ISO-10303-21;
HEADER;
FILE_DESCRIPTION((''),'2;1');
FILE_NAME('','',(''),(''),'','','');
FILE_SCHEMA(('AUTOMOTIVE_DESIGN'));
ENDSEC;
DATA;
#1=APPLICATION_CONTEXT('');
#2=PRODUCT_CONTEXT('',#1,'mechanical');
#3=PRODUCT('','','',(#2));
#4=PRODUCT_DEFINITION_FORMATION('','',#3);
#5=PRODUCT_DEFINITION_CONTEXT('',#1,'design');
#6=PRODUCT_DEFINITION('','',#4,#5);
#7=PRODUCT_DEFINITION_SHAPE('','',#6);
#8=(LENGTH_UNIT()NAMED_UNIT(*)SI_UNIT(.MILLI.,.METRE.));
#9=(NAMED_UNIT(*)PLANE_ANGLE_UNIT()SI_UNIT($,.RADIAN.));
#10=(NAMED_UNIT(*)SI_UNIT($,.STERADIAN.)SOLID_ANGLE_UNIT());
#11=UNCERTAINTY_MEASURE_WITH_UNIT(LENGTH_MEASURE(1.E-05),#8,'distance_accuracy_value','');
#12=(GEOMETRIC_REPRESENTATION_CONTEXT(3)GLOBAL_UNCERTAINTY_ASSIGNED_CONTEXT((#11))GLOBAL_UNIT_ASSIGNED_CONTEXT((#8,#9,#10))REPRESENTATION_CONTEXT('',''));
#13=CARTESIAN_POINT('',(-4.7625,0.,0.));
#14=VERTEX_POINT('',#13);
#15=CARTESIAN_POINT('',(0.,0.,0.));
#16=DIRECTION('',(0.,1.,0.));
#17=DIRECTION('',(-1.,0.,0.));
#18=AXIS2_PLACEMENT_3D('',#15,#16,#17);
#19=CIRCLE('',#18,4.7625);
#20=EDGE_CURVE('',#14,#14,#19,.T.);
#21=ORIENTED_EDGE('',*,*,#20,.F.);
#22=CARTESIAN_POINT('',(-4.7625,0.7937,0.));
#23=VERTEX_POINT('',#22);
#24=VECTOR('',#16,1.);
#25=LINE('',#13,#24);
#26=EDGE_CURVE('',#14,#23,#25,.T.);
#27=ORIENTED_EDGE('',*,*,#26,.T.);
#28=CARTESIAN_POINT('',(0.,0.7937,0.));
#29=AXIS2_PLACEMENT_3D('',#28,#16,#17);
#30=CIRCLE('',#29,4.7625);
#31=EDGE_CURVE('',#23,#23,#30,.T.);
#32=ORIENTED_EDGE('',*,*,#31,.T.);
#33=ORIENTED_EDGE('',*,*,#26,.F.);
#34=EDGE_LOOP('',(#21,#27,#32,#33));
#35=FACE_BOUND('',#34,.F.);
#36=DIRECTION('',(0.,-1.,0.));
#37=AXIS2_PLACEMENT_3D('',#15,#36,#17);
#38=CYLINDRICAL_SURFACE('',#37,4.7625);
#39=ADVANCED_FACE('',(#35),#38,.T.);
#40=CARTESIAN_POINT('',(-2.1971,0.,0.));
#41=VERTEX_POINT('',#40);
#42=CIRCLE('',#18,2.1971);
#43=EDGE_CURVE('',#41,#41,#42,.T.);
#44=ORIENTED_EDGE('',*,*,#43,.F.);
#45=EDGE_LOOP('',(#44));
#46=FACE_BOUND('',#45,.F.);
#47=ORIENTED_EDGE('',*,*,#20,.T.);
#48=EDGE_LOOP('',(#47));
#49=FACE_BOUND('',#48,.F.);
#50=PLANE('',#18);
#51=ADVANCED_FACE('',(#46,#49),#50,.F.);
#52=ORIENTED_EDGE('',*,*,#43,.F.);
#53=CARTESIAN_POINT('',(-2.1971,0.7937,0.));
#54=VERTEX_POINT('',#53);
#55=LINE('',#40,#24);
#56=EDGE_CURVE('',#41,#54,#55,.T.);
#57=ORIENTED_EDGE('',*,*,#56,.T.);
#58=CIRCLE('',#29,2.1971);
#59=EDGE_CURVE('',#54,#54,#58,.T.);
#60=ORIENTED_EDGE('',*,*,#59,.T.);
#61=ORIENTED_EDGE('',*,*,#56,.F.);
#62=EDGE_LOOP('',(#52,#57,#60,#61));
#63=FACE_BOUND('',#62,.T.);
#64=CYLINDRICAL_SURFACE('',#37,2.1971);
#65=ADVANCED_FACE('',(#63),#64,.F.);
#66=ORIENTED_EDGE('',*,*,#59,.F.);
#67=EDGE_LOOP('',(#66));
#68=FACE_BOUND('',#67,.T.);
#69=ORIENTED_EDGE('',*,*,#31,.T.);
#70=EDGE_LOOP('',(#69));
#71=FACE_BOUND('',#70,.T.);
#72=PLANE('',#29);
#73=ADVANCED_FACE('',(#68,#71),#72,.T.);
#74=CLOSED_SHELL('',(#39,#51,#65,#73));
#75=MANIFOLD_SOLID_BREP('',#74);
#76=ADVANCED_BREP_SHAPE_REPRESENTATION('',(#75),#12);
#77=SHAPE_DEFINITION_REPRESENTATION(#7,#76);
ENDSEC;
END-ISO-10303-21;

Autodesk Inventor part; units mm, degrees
ref_plane "YZ Plane" through (0, 0, 0) normal (1, 0, 0) x (0, 1, 0)
ref_plane "XZ Plane" through (0, 0, 0) normal (0, 1, 0) x (-1, 0, 0)
ref_plane "XY Plane" through (0, 0, 0) normal (0, 0, 1) x (1, 0, 0)
sketch "Sketch1" plane through (0, 0, 0) normal (0, 1, 0) x (-1, 0, 0)
  circle A0 centre (0, 0) radius 2.1971
  circle A1 centre (0, 0) radius 4.7625
  dimension "d0" = 4.3942
  dimension "d1" = 9.525
extrude "Extrusion1" add sketch "Sketch1" along normal blind 0.7937
properties part number "Teflon Washer-.03125" material "ABS Plastic"
